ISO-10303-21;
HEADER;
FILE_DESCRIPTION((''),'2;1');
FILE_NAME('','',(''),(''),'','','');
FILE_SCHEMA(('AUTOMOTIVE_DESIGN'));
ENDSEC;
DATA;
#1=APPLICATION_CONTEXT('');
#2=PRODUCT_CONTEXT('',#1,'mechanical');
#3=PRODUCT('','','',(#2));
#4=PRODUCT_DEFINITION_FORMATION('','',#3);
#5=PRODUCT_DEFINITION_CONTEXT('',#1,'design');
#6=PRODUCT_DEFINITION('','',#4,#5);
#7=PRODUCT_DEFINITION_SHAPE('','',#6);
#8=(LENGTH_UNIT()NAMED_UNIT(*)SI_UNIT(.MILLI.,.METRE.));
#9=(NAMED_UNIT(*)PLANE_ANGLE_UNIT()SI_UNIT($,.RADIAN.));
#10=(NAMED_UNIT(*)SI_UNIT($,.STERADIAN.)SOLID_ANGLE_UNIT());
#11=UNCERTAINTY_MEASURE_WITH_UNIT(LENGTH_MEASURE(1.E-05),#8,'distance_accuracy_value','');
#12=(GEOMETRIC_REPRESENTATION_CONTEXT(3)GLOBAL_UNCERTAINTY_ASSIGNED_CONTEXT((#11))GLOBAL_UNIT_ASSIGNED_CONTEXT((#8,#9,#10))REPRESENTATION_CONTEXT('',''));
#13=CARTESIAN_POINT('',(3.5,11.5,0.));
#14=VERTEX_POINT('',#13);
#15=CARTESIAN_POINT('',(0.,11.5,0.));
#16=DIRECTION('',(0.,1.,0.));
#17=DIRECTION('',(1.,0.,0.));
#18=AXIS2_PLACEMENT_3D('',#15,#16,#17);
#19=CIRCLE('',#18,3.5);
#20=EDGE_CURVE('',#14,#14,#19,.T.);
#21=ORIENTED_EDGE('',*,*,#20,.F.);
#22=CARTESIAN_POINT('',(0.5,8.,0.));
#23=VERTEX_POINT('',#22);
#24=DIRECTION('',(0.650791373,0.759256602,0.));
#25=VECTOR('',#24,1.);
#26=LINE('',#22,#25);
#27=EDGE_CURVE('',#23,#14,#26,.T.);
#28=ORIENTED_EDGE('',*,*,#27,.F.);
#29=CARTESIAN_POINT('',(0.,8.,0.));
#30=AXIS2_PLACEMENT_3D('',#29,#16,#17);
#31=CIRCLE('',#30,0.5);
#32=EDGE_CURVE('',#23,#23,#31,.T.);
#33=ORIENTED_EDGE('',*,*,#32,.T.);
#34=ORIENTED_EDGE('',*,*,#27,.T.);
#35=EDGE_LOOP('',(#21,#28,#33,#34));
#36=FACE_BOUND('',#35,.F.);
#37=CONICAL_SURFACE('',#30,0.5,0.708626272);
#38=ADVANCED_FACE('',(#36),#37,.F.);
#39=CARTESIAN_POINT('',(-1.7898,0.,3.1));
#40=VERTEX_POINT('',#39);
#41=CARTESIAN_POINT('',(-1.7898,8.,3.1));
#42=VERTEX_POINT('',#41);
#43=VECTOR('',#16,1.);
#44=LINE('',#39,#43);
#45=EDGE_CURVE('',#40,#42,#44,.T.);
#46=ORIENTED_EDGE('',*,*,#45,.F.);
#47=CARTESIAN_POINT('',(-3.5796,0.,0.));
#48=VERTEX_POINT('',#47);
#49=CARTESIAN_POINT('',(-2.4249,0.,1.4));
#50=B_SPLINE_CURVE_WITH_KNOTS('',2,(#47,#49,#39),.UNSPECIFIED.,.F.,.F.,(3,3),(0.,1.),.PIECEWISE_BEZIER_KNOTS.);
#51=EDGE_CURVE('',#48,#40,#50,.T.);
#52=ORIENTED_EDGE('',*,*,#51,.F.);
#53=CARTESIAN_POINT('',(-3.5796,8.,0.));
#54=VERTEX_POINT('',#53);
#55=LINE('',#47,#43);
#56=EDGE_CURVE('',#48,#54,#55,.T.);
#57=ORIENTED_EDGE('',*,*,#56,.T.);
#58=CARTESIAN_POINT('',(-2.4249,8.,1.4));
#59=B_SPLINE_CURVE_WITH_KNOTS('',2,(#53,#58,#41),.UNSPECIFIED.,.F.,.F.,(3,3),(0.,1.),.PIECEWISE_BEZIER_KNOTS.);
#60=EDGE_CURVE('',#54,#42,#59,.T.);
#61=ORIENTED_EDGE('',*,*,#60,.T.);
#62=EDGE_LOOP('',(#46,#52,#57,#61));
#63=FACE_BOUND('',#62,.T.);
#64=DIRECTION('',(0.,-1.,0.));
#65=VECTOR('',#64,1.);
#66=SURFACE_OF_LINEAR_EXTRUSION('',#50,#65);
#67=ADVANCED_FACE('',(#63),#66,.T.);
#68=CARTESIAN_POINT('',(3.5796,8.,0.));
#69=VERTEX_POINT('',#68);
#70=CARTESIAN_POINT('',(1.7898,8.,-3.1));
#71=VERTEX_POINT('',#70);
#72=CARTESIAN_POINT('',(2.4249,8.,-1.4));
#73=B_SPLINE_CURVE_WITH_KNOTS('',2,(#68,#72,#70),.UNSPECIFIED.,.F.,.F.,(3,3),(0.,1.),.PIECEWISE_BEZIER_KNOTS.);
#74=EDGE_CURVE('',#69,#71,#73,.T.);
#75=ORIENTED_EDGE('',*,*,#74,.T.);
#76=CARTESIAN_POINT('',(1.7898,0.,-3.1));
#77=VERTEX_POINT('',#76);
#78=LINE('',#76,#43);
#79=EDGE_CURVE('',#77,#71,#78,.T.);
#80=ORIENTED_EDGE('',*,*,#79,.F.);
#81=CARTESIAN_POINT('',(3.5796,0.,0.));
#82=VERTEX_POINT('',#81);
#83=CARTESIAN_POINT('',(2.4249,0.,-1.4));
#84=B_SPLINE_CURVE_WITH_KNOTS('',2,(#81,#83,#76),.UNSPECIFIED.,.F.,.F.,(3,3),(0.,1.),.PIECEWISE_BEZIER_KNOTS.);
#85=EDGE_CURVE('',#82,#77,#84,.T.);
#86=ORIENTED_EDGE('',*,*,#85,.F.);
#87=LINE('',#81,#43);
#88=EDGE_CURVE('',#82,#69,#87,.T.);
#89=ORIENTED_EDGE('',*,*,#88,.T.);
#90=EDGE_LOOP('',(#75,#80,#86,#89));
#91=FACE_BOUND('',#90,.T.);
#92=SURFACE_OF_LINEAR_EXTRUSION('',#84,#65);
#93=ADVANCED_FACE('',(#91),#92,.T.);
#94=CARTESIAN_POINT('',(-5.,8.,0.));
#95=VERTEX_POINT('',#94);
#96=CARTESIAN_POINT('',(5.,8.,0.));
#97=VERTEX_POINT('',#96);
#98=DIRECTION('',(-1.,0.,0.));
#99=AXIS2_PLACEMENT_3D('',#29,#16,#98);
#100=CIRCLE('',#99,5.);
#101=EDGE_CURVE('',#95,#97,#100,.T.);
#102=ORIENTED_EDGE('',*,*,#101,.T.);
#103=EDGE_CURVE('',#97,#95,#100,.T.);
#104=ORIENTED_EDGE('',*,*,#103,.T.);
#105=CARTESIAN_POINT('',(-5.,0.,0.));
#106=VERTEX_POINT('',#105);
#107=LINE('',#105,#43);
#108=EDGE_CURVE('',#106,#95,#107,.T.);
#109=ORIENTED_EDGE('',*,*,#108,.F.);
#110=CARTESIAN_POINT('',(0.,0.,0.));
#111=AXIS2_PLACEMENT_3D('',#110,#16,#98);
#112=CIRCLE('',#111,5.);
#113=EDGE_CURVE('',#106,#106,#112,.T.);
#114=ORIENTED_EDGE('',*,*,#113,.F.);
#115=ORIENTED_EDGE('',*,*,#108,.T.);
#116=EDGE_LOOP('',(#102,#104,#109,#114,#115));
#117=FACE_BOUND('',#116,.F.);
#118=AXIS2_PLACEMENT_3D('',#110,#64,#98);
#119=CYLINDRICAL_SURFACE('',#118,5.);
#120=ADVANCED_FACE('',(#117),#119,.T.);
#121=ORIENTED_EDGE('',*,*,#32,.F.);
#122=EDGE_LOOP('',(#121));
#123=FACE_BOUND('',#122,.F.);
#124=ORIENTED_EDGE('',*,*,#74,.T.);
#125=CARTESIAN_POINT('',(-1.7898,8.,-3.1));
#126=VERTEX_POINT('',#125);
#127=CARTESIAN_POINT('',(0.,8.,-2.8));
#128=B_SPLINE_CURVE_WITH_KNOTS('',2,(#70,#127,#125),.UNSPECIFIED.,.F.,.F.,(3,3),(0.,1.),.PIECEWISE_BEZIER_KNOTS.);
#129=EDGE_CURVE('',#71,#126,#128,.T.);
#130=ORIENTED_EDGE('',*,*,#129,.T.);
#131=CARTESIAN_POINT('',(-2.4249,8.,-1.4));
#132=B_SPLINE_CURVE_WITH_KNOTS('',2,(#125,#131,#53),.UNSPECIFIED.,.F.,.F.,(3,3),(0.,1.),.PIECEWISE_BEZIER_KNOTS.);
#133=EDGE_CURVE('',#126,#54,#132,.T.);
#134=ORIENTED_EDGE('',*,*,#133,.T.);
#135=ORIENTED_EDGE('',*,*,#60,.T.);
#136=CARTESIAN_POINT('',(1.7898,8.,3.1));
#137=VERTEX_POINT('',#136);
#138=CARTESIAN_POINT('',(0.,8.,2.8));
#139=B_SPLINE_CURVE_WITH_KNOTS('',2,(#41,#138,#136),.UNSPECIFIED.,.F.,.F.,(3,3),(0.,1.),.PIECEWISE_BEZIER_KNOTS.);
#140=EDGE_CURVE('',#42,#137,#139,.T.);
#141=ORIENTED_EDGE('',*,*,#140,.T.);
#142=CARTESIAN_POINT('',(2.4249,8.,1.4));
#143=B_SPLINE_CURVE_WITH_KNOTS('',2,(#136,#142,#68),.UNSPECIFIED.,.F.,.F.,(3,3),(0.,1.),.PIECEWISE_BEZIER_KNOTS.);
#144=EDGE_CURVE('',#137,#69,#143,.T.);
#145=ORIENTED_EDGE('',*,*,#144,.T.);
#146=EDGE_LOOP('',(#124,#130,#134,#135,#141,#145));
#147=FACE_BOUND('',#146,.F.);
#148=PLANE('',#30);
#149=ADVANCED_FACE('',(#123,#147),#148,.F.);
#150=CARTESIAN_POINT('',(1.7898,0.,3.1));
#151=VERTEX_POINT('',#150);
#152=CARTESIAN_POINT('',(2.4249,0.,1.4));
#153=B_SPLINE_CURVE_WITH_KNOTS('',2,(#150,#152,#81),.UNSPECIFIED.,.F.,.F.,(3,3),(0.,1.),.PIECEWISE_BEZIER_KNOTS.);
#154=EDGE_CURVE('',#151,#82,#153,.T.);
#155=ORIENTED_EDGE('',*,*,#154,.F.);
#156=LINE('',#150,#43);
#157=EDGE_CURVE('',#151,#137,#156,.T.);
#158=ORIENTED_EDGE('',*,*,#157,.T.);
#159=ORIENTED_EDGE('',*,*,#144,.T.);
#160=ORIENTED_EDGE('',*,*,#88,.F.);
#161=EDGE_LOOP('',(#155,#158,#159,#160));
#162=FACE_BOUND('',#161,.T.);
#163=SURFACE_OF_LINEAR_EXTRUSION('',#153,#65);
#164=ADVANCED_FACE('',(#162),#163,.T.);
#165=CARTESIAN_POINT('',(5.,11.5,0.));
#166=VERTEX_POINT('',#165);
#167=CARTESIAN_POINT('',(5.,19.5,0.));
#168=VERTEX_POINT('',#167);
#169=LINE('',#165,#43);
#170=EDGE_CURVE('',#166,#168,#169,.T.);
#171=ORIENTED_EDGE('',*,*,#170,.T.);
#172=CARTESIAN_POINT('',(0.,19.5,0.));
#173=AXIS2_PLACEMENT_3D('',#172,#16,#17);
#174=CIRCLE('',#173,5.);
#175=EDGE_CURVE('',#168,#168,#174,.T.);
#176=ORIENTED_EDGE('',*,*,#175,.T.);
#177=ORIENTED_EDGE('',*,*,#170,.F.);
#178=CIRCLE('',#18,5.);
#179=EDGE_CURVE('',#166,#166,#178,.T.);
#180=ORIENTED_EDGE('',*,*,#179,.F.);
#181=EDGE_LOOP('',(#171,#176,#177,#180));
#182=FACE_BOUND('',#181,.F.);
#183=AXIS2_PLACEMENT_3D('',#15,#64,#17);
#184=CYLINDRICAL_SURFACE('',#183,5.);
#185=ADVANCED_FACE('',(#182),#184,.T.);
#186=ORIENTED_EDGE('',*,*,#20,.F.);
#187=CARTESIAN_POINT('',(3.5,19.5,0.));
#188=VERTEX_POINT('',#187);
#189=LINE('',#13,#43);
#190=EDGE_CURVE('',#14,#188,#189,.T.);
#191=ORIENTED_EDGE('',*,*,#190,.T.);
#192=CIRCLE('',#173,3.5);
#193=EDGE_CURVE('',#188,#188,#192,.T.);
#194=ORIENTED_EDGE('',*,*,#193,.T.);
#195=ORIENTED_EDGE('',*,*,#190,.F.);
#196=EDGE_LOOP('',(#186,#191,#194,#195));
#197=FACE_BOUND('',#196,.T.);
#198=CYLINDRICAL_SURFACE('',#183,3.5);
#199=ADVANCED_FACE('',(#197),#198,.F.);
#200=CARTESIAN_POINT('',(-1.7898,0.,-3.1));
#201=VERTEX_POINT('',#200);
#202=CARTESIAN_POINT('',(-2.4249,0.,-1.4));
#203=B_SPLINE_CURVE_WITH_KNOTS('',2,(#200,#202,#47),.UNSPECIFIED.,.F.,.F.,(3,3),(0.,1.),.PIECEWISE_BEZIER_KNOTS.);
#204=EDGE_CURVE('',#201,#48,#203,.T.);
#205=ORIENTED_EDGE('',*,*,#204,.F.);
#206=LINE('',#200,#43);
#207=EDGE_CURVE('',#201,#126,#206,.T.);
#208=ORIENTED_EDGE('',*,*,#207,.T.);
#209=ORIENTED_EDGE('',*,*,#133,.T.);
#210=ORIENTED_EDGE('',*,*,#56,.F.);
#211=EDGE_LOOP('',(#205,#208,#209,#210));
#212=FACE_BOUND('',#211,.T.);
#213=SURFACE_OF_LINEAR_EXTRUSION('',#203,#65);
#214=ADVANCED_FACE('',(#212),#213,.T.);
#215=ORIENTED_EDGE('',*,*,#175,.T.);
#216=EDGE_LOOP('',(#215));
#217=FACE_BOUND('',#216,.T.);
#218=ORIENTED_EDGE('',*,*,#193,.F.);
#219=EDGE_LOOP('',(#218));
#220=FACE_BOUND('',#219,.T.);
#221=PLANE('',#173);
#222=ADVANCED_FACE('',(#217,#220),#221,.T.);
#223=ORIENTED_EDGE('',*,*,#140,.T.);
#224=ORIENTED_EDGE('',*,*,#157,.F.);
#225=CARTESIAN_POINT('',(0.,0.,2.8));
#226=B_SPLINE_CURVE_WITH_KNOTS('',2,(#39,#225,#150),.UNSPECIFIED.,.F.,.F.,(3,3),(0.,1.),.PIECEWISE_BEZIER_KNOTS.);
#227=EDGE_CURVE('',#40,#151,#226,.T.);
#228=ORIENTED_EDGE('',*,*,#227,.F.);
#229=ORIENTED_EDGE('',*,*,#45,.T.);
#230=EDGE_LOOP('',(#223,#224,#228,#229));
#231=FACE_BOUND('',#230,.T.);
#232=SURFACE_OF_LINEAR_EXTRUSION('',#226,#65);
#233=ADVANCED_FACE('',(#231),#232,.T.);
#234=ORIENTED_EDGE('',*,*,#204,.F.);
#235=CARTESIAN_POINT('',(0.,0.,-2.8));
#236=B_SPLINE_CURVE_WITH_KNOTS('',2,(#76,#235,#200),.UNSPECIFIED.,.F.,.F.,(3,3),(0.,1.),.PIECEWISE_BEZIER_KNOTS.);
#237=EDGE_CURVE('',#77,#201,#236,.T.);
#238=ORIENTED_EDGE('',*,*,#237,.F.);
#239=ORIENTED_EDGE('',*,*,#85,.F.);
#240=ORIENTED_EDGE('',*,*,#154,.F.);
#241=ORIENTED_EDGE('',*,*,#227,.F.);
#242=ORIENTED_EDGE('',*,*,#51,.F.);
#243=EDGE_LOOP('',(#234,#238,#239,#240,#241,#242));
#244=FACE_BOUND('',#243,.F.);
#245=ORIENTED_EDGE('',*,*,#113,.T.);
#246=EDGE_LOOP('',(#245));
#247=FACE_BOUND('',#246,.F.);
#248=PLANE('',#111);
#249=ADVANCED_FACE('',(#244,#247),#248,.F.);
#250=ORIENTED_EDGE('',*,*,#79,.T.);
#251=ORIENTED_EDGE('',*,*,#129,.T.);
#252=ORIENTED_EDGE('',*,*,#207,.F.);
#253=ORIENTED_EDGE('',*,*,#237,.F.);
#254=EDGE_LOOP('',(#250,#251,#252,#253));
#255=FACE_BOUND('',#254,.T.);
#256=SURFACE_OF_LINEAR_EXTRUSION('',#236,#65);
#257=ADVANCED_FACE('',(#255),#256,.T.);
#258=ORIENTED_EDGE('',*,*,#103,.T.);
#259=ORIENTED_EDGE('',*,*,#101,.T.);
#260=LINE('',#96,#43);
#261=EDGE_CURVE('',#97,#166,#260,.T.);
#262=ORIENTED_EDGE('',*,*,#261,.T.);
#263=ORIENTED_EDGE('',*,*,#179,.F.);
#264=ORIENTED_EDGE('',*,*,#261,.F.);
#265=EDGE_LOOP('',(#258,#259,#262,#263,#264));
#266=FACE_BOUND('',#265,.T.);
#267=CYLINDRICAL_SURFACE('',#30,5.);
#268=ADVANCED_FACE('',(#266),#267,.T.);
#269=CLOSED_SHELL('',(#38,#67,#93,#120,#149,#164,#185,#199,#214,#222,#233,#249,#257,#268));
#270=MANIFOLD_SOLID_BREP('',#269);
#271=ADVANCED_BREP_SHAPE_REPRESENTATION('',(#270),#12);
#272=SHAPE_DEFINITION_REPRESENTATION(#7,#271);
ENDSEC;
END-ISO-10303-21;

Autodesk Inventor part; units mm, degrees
ref_plane "YZ Plane" through (0, 0, 0) normal (1, 0, 0) x (0, 1, 0)
ref_plane "XZ Plane" through (0, 0, 0) normal (0, 1, 0) x (-1, 0, 0)
ref_plane "XY Plane" through (0, 0, 0) normal (0, 0, 1) x (1, 0, 0)
sketch "Sketch1" plane through (0, 0, 0) normal (0, 1, 0) x (-1, 0, 0)
  line L0 (-1.7898, -3.1) -> (-3.5796, 0)
  line L1 (-3.5796, 0) -> (-1.7898, 3.1)
  line L2 (-1.7898, 3.1) -> (1.7898, 3.1)
  line L3 (1.7898, 3.1) -> (3.5796, 0)
  line L4 (3.5796, 0) -> (1.7898, -3.1)
  line L5 (1.7898, -3.1) -> (-1.7898, -3.1)
  circle A0 centre (0, 0) radius 5
  spline S0 degree 2 poles (1.7898, 3.1) (0, 2.8) (-1.7898, 3.1) knots 0 0 0 1 1 1
  spline S1 degree 2 poles (-1.7898, 3.1) (-2.4249, 1.4) (-3.5796, 0) knots 0 0 0 1 1 1
  spline S2 degree 2 poles (-3.5796, 0) (-2.4249, -1.4) (-1.7898, -3.1) knots 0 0 0 1 1 1
  spline S3 degree 2 poles (-1.7898, -3.1) (0, -2.8) (1.7898, -3.1) knots 0 0 0 1 1 1
  spline S4 degree 2 poles (1.7898, -3.1) (2.4249, -1.4) (3.5796, 0) knots 0 0 0 1 1 1
  spline S5 degree 2 poles (3.5796, 0) (2.4249, 1.4) (1.7898, 3.1) knots 0 0 0 1 1 1
  point P0 (0, 0)
  point P1 (0, 0)
  point P2 (0, -3.1)
  point P3 (0, 2.95)
  point P4 (0, 3.1)
  point P5 (-2.5548, 1.475)
  point P6 (-2.5548, -1.475)
  point P7 (0, -2.95)
  point P8 (2.5548, -1.475)
  point P9 (2.5548, 1.475)
  point P10 (1.7898, 3.1)
  point P11 (1.7898, 3.1)
  point P12 (1.7898, 3.1)
  dimension "d0" = 3.1
  dimension "d1" = 10
  dimension "d27" = 0.15
  dimension "d30" = 360
extrude "Extrusion1" add sketch "Sketch1" along normal blind 8 contours S3 L5 | L0 S2 | L1 S1 | S4 L4 | L2 S0 | S5 L3 | A0
sketch "Sketch2" plane through (0, 8, 0) normal (0, 1, 0) x (1, 0, 0)
  circle A0 centre (0, 0) radius 0.5
  circle A1 centre (0, 0) radius 5 projected
  circle A2 centre (0, 0) radius 5
  dimension "d4" = 1
sketch "Sketch5" plane through (0, 0, 0) normal (0, 0, 1) x (1, 0, 0)
  line L0 (5, 8) -> (-5, 8) projected
  line L1 (5, 8) -> (5, 11.5)
  line L2 (5, 11.5) -> (3.5, 11.5)
  line L3 (5, 8) -> (0.5, 8)
  line L4 (0.5, 8) -> (3.5, 11.5)
  line L5 (0, 8) -> (0, 11)
  point P0 (0, 0)
  dimension "d20" = 3.5
  dimension "d21" = 1.5
  dimension "d22" = 4.5
  dimension "d23" = 3
revolve "Revolution1" add sketch "Sketch5" angle 360 about axis through (0, 8, 0) along (0, 1, 0)
sketch "Sketch7" plane through (0, 11.5, 0) normal (0, 1, 0) x (1, 0, 0)
  circle A0 centre (0, 0) radius 0.5 projected
  circle A1 centre (0, 0) radius 3.5
  circle A2 centre (0, 0) radius 5
extrude "Extrusion2" add sketch "Sketch7" along normal blind 8 contours A2
properties part number "seegoals_adapter_puller_tool_v1"
